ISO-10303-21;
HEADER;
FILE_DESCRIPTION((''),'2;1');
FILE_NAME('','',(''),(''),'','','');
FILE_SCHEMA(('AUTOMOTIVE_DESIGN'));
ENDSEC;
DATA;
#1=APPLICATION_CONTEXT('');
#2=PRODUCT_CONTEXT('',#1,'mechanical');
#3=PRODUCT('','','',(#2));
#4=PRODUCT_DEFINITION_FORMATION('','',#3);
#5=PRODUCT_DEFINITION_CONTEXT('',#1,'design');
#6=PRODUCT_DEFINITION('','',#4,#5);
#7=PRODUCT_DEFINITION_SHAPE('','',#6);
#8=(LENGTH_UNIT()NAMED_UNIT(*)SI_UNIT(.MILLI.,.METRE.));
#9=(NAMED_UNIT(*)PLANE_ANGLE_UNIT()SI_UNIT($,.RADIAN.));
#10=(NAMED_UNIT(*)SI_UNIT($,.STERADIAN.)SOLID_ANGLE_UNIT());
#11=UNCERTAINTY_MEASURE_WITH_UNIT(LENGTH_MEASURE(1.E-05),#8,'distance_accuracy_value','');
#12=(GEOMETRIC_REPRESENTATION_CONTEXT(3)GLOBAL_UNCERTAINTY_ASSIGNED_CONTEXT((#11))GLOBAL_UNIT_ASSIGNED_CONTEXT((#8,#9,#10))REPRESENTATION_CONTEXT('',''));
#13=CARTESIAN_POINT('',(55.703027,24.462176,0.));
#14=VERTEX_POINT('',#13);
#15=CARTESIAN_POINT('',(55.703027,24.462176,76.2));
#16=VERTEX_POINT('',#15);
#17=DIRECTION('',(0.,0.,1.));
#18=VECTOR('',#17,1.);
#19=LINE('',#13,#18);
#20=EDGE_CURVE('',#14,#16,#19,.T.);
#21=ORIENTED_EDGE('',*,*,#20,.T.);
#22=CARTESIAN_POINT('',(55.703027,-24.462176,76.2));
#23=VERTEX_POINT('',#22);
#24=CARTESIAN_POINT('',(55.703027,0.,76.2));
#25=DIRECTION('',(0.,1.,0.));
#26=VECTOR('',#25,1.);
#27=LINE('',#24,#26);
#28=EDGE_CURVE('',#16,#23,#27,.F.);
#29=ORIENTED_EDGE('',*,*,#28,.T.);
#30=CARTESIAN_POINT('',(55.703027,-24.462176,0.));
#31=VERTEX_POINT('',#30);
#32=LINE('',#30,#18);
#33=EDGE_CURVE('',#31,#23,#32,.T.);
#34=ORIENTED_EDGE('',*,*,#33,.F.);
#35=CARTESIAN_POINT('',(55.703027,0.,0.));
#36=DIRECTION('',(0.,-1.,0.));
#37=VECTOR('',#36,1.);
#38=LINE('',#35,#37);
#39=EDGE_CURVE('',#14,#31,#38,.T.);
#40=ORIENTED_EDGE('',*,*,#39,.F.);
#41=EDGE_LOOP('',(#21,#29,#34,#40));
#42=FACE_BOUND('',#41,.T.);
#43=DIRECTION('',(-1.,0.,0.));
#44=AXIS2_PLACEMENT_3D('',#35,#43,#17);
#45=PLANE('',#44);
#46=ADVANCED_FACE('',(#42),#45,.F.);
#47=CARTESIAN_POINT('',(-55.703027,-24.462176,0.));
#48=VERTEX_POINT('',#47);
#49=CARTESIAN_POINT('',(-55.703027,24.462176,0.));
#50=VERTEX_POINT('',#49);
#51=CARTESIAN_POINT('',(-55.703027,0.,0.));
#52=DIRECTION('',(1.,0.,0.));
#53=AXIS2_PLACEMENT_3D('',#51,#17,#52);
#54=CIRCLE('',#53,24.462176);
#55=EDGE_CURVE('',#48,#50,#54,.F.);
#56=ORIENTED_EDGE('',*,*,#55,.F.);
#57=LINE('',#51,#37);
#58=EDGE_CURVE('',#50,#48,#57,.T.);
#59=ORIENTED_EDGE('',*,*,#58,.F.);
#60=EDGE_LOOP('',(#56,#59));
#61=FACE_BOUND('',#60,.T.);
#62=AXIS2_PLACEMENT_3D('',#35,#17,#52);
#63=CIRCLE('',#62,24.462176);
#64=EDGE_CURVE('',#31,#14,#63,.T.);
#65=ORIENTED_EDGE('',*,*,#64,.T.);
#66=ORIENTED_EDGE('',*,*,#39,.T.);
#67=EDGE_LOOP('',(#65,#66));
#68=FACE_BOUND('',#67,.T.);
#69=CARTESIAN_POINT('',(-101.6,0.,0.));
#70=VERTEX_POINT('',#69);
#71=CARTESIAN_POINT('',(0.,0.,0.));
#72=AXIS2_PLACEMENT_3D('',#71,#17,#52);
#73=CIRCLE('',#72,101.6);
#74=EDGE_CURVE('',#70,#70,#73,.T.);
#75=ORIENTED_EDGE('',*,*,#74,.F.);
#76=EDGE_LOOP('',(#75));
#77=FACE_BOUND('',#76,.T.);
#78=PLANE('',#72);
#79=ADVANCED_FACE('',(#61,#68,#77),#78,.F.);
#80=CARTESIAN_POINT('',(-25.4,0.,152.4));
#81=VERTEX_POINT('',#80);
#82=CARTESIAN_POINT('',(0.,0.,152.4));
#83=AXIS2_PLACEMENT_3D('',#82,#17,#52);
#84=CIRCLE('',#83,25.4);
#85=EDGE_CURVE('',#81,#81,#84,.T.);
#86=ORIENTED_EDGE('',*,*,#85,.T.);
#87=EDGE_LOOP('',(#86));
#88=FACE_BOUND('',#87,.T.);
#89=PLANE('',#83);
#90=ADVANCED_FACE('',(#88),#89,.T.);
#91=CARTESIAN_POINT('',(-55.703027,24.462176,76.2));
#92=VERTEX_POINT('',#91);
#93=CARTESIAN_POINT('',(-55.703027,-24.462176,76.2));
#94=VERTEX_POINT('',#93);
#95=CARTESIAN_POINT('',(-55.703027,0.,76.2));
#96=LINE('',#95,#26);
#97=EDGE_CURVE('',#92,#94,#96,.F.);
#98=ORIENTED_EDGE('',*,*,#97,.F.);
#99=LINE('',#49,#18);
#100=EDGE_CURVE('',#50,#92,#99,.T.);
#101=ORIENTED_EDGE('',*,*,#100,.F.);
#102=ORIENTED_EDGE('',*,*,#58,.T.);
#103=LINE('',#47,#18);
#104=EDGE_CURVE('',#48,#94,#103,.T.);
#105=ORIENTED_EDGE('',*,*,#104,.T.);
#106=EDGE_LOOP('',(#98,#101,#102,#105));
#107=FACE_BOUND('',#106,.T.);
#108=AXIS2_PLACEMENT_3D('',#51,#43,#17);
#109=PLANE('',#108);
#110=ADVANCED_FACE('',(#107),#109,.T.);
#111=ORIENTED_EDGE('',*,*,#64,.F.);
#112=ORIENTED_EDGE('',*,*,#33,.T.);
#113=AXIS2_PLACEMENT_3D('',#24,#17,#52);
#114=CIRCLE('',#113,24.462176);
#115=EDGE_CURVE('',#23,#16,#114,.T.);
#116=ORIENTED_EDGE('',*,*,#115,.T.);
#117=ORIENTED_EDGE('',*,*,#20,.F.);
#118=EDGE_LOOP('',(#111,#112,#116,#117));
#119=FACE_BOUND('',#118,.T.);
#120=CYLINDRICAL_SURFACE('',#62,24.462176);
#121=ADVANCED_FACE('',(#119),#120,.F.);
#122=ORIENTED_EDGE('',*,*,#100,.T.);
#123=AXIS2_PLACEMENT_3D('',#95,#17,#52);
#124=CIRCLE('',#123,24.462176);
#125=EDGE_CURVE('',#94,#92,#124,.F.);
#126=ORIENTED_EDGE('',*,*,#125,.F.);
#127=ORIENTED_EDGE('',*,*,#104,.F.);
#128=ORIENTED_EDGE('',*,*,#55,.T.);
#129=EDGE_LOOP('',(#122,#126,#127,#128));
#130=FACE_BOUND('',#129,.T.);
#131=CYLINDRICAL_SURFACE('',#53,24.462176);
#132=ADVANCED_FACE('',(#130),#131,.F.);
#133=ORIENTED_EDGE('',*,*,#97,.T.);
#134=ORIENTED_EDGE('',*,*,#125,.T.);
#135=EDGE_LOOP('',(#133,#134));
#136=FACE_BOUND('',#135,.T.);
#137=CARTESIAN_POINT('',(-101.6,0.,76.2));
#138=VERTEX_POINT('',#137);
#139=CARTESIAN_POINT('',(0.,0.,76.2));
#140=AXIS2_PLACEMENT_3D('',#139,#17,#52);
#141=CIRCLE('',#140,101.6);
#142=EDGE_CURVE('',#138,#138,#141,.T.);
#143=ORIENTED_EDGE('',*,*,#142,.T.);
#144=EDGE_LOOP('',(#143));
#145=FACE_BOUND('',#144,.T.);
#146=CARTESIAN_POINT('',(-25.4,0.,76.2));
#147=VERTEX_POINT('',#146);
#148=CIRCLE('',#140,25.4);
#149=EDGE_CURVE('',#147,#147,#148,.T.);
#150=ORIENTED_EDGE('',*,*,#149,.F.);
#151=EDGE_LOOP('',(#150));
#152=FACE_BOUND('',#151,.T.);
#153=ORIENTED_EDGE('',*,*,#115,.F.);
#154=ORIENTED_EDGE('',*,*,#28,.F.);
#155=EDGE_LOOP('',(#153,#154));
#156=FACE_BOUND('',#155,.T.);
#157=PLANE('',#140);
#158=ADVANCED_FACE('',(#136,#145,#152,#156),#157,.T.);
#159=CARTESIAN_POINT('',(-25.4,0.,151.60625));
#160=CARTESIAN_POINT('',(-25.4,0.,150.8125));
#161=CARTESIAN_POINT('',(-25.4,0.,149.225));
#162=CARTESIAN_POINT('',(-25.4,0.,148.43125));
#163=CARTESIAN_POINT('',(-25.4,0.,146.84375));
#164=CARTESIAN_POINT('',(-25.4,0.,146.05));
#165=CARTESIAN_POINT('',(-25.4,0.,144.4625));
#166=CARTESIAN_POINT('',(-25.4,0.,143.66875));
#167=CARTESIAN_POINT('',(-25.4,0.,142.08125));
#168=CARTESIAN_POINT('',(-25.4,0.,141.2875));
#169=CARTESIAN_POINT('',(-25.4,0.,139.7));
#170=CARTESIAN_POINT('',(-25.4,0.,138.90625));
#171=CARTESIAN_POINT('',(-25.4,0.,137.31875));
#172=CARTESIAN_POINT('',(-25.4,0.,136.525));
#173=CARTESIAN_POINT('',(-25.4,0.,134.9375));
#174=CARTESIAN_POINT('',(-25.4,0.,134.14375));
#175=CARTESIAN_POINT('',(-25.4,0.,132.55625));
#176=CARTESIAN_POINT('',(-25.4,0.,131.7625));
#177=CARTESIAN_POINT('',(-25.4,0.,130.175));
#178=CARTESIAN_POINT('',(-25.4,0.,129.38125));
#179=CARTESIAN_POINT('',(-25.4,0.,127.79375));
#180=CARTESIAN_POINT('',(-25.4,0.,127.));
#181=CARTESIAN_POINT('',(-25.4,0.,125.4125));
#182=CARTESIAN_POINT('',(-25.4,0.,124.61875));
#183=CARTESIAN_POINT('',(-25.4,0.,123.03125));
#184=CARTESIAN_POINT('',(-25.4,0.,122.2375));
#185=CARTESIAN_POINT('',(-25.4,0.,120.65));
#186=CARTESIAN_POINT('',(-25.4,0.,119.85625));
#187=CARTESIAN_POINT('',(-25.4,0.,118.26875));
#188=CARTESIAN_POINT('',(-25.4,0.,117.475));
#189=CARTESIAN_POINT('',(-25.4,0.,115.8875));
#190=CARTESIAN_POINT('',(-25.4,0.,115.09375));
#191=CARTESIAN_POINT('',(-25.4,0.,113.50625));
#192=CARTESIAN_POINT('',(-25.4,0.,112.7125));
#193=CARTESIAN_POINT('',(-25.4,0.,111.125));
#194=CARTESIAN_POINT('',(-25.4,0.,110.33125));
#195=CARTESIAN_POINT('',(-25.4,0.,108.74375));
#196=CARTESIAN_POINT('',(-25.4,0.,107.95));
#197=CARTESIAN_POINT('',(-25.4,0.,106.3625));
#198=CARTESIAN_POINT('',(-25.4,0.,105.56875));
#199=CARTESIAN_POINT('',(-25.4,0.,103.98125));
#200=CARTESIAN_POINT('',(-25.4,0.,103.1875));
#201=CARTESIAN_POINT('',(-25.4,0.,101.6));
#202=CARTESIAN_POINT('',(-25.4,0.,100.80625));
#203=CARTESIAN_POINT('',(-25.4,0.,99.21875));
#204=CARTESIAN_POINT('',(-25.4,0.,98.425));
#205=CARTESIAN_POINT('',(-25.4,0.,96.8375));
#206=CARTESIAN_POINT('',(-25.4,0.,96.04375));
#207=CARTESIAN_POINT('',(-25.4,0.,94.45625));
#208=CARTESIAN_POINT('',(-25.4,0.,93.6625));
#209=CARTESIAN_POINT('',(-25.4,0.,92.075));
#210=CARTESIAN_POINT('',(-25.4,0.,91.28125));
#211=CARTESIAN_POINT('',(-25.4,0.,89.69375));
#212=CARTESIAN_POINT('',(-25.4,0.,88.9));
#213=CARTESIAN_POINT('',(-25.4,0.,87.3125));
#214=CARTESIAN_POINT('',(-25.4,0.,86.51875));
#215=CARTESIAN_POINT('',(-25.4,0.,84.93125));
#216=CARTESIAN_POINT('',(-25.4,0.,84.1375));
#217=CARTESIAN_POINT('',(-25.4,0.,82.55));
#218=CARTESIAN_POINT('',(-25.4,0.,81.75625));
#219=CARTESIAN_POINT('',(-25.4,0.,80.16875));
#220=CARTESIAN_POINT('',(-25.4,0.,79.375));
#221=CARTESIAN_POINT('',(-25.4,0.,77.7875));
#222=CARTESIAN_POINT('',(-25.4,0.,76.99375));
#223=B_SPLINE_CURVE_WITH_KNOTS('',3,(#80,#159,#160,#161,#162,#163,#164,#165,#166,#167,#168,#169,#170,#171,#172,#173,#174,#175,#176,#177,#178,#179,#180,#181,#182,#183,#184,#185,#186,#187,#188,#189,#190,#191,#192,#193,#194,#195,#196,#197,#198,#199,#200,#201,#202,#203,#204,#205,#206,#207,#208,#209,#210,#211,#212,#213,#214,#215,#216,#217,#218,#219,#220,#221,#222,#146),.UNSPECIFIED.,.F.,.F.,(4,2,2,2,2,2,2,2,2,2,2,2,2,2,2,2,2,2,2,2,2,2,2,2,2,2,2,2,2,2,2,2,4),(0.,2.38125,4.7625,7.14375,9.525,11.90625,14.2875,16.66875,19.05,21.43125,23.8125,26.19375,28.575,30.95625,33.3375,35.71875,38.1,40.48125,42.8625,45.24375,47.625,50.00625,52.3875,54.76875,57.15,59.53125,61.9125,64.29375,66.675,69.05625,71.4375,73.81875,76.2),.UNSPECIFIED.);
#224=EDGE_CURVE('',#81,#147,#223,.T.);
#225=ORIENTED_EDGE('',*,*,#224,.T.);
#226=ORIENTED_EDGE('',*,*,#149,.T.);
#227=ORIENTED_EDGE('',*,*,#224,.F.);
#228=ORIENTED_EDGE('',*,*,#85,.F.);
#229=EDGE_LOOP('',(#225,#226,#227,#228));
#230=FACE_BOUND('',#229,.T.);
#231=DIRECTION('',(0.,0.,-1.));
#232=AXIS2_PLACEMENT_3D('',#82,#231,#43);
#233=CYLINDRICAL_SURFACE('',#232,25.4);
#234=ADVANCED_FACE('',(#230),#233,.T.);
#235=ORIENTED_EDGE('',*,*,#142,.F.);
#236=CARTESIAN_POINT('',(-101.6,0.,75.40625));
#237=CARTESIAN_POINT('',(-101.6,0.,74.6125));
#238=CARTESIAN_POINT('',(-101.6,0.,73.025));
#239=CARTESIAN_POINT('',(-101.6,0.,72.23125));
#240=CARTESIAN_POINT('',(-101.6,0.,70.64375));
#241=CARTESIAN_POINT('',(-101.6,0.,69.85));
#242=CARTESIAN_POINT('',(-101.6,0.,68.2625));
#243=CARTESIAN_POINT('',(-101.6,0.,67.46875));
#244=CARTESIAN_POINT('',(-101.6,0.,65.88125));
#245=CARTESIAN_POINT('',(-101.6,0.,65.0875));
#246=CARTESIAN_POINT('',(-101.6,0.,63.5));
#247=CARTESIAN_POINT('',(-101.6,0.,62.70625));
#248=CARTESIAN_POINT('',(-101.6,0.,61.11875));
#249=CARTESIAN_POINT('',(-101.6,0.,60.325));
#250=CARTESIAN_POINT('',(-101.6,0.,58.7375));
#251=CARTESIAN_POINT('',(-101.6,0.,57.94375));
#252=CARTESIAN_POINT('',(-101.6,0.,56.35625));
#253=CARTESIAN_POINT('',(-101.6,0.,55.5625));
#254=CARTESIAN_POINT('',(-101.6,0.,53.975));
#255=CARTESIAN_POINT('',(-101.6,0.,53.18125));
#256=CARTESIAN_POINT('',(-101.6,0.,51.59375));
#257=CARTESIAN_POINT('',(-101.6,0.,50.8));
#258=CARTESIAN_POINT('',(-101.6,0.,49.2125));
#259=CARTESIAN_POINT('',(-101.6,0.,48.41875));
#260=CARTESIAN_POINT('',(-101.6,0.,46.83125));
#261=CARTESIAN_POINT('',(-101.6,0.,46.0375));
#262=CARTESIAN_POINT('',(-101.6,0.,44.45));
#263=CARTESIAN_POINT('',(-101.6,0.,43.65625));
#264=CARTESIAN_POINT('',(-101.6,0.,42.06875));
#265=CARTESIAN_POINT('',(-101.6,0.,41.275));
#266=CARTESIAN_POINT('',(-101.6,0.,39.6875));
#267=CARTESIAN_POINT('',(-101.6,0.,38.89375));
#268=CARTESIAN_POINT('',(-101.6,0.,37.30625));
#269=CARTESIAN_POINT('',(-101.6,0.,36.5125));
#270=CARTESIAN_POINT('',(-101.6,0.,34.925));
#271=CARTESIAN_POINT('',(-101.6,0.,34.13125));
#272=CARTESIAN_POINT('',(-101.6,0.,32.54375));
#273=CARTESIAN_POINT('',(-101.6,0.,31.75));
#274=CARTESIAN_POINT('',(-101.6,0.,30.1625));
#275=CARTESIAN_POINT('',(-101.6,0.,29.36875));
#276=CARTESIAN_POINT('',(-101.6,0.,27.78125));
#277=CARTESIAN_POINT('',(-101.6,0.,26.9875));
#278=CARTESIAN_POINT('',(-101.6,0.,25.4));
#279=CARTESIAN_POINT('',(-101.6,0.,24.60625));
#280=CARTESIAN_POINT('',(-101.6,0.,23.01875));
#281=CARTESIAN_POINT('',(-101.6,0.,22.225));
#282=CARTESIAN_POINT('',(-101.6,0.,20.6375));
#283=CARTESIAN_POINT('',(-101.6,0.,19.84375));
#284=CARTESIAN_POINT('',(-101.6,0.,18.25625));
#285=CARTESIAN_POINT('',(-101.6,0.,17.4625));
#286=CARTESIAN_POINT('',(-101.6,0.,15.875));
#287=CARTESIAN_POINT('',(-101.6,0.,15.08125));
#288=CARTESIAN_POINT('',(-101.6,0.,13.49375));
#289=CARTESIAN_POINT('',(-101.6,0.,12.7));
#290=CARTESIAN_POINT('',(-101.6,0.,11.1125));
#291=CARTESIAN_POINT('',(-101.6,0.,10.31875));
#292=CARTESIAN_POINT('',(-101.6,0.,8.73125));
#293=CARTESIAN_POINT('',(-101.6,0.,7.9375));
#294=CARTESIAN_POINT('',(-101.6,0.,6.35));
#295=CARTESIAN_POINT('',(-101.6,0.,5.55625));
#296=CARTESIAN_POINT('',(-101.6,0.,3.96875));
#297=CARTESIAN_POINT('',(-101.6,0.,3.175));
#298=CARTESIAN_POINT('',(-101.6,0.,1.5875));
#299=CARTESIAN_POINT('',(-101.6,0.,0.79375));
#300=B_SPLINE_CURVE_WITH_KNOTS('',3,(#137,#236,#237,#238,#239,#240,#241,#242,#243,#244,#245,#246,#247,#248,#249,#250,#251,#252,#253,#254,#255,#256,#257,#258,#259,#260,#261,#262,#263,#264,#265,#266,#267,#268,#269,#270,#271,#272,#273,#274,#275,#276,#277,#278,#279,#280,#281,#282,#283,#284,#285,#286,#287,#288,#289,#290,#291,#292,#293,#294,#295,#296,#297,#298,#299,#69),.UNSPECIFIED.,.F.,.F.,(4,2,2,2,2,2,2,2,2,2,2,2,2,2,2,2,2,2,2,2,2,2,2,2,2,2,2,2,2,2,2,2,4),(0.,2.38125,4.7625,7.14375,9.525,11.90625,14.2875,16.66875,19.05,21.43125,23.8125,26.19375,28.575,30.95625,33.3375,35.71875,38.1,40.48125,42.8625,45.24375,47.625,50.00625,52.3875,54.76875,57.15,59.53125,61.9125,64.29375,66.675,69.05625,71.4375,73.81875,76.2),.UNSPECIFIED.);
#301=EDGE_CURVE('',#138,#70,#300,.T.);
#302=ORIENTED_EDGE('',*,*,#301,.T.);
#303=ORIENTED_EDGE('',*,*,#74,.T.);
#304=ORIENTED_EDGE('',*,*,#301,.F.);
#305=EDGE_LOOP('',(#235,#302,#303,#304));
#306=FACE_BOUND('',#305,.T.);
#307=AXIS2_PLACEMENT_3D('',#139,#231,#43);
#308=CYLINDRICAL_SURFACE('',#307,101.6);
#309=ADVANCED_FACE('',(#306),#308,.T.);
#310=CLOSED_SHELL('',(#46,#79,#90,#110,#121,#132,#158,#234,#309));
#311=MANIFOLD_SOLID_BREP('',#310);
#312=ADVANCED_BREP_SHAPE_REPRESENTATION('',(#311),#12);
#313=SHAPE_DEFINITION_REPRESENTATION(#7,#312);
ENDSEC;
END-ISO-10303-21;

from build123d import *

# Parameters (mm, degrees)
SKETCH1_R               = 101.6
BOSS_EXTRUDE1_DEPTH     = 76.2
CUT_EXTRUDE7_DEPTH      = 163.639355631
CUT_EXTRUDE7_DEPTH_BACK = 163.639355631
SKETCH3_R               = 25.4
BOSS_EXTRUDE2_DEPTH     = 76.2


with BuildPart() as part:
    # Sketch1 → Boss-Extrude1 (new body)
    with BuildSketch(Plane.XY):
        with Locations(Location((0, 0, 0), (0, 0, 180))):
            Circle(SKETCH1_R)
    extrude(amount=BOSS_EXTRUDE1_DEPTH)

    # Sketch2 → Cut-Extrude7 (cut, two sides: drawn at the far end of the back side and taken through both)
    with BuildSketch(Plane.XY.offset(76.2).offset(-CUT_EXTRUDE7_DEPTH_BACK)):
        with BuildLine():
            ThreePointArc((-55.703026842, -24.462175809), (-80.165202651, 0), (-55.703026842, 24.462175809))
            Line((-55.703026842, 24.462175809), (-55.703026842, -24.462175809))
        make_face()
        with BuildLine():
            Line((55.703026842, 24.462175809), (55.703026842, -24.462175809))
            ThreePointArc((55.703026842, -24.462175809), (80.165202651, 0), (55.703026842, 24.462175809))
        make_face()
    extrude(amount=CUT_EXTRUDE7_DEPTH + CUT_EXTRUDE7_DEPTH_BACK, mode=Mode.SUBTRACT)

    # Sketch3 → Boss-Extrude2 (add)
    with BuildSketch(Plane.XY.offset(76.2)):
        with Locations(Location((0, 0, 0), (0, 0, 180))):
            Circle(SKETCH3_R)
    extrude(amount=BOSS_EXTRUDE2_DEPTH)


solid = part.part
